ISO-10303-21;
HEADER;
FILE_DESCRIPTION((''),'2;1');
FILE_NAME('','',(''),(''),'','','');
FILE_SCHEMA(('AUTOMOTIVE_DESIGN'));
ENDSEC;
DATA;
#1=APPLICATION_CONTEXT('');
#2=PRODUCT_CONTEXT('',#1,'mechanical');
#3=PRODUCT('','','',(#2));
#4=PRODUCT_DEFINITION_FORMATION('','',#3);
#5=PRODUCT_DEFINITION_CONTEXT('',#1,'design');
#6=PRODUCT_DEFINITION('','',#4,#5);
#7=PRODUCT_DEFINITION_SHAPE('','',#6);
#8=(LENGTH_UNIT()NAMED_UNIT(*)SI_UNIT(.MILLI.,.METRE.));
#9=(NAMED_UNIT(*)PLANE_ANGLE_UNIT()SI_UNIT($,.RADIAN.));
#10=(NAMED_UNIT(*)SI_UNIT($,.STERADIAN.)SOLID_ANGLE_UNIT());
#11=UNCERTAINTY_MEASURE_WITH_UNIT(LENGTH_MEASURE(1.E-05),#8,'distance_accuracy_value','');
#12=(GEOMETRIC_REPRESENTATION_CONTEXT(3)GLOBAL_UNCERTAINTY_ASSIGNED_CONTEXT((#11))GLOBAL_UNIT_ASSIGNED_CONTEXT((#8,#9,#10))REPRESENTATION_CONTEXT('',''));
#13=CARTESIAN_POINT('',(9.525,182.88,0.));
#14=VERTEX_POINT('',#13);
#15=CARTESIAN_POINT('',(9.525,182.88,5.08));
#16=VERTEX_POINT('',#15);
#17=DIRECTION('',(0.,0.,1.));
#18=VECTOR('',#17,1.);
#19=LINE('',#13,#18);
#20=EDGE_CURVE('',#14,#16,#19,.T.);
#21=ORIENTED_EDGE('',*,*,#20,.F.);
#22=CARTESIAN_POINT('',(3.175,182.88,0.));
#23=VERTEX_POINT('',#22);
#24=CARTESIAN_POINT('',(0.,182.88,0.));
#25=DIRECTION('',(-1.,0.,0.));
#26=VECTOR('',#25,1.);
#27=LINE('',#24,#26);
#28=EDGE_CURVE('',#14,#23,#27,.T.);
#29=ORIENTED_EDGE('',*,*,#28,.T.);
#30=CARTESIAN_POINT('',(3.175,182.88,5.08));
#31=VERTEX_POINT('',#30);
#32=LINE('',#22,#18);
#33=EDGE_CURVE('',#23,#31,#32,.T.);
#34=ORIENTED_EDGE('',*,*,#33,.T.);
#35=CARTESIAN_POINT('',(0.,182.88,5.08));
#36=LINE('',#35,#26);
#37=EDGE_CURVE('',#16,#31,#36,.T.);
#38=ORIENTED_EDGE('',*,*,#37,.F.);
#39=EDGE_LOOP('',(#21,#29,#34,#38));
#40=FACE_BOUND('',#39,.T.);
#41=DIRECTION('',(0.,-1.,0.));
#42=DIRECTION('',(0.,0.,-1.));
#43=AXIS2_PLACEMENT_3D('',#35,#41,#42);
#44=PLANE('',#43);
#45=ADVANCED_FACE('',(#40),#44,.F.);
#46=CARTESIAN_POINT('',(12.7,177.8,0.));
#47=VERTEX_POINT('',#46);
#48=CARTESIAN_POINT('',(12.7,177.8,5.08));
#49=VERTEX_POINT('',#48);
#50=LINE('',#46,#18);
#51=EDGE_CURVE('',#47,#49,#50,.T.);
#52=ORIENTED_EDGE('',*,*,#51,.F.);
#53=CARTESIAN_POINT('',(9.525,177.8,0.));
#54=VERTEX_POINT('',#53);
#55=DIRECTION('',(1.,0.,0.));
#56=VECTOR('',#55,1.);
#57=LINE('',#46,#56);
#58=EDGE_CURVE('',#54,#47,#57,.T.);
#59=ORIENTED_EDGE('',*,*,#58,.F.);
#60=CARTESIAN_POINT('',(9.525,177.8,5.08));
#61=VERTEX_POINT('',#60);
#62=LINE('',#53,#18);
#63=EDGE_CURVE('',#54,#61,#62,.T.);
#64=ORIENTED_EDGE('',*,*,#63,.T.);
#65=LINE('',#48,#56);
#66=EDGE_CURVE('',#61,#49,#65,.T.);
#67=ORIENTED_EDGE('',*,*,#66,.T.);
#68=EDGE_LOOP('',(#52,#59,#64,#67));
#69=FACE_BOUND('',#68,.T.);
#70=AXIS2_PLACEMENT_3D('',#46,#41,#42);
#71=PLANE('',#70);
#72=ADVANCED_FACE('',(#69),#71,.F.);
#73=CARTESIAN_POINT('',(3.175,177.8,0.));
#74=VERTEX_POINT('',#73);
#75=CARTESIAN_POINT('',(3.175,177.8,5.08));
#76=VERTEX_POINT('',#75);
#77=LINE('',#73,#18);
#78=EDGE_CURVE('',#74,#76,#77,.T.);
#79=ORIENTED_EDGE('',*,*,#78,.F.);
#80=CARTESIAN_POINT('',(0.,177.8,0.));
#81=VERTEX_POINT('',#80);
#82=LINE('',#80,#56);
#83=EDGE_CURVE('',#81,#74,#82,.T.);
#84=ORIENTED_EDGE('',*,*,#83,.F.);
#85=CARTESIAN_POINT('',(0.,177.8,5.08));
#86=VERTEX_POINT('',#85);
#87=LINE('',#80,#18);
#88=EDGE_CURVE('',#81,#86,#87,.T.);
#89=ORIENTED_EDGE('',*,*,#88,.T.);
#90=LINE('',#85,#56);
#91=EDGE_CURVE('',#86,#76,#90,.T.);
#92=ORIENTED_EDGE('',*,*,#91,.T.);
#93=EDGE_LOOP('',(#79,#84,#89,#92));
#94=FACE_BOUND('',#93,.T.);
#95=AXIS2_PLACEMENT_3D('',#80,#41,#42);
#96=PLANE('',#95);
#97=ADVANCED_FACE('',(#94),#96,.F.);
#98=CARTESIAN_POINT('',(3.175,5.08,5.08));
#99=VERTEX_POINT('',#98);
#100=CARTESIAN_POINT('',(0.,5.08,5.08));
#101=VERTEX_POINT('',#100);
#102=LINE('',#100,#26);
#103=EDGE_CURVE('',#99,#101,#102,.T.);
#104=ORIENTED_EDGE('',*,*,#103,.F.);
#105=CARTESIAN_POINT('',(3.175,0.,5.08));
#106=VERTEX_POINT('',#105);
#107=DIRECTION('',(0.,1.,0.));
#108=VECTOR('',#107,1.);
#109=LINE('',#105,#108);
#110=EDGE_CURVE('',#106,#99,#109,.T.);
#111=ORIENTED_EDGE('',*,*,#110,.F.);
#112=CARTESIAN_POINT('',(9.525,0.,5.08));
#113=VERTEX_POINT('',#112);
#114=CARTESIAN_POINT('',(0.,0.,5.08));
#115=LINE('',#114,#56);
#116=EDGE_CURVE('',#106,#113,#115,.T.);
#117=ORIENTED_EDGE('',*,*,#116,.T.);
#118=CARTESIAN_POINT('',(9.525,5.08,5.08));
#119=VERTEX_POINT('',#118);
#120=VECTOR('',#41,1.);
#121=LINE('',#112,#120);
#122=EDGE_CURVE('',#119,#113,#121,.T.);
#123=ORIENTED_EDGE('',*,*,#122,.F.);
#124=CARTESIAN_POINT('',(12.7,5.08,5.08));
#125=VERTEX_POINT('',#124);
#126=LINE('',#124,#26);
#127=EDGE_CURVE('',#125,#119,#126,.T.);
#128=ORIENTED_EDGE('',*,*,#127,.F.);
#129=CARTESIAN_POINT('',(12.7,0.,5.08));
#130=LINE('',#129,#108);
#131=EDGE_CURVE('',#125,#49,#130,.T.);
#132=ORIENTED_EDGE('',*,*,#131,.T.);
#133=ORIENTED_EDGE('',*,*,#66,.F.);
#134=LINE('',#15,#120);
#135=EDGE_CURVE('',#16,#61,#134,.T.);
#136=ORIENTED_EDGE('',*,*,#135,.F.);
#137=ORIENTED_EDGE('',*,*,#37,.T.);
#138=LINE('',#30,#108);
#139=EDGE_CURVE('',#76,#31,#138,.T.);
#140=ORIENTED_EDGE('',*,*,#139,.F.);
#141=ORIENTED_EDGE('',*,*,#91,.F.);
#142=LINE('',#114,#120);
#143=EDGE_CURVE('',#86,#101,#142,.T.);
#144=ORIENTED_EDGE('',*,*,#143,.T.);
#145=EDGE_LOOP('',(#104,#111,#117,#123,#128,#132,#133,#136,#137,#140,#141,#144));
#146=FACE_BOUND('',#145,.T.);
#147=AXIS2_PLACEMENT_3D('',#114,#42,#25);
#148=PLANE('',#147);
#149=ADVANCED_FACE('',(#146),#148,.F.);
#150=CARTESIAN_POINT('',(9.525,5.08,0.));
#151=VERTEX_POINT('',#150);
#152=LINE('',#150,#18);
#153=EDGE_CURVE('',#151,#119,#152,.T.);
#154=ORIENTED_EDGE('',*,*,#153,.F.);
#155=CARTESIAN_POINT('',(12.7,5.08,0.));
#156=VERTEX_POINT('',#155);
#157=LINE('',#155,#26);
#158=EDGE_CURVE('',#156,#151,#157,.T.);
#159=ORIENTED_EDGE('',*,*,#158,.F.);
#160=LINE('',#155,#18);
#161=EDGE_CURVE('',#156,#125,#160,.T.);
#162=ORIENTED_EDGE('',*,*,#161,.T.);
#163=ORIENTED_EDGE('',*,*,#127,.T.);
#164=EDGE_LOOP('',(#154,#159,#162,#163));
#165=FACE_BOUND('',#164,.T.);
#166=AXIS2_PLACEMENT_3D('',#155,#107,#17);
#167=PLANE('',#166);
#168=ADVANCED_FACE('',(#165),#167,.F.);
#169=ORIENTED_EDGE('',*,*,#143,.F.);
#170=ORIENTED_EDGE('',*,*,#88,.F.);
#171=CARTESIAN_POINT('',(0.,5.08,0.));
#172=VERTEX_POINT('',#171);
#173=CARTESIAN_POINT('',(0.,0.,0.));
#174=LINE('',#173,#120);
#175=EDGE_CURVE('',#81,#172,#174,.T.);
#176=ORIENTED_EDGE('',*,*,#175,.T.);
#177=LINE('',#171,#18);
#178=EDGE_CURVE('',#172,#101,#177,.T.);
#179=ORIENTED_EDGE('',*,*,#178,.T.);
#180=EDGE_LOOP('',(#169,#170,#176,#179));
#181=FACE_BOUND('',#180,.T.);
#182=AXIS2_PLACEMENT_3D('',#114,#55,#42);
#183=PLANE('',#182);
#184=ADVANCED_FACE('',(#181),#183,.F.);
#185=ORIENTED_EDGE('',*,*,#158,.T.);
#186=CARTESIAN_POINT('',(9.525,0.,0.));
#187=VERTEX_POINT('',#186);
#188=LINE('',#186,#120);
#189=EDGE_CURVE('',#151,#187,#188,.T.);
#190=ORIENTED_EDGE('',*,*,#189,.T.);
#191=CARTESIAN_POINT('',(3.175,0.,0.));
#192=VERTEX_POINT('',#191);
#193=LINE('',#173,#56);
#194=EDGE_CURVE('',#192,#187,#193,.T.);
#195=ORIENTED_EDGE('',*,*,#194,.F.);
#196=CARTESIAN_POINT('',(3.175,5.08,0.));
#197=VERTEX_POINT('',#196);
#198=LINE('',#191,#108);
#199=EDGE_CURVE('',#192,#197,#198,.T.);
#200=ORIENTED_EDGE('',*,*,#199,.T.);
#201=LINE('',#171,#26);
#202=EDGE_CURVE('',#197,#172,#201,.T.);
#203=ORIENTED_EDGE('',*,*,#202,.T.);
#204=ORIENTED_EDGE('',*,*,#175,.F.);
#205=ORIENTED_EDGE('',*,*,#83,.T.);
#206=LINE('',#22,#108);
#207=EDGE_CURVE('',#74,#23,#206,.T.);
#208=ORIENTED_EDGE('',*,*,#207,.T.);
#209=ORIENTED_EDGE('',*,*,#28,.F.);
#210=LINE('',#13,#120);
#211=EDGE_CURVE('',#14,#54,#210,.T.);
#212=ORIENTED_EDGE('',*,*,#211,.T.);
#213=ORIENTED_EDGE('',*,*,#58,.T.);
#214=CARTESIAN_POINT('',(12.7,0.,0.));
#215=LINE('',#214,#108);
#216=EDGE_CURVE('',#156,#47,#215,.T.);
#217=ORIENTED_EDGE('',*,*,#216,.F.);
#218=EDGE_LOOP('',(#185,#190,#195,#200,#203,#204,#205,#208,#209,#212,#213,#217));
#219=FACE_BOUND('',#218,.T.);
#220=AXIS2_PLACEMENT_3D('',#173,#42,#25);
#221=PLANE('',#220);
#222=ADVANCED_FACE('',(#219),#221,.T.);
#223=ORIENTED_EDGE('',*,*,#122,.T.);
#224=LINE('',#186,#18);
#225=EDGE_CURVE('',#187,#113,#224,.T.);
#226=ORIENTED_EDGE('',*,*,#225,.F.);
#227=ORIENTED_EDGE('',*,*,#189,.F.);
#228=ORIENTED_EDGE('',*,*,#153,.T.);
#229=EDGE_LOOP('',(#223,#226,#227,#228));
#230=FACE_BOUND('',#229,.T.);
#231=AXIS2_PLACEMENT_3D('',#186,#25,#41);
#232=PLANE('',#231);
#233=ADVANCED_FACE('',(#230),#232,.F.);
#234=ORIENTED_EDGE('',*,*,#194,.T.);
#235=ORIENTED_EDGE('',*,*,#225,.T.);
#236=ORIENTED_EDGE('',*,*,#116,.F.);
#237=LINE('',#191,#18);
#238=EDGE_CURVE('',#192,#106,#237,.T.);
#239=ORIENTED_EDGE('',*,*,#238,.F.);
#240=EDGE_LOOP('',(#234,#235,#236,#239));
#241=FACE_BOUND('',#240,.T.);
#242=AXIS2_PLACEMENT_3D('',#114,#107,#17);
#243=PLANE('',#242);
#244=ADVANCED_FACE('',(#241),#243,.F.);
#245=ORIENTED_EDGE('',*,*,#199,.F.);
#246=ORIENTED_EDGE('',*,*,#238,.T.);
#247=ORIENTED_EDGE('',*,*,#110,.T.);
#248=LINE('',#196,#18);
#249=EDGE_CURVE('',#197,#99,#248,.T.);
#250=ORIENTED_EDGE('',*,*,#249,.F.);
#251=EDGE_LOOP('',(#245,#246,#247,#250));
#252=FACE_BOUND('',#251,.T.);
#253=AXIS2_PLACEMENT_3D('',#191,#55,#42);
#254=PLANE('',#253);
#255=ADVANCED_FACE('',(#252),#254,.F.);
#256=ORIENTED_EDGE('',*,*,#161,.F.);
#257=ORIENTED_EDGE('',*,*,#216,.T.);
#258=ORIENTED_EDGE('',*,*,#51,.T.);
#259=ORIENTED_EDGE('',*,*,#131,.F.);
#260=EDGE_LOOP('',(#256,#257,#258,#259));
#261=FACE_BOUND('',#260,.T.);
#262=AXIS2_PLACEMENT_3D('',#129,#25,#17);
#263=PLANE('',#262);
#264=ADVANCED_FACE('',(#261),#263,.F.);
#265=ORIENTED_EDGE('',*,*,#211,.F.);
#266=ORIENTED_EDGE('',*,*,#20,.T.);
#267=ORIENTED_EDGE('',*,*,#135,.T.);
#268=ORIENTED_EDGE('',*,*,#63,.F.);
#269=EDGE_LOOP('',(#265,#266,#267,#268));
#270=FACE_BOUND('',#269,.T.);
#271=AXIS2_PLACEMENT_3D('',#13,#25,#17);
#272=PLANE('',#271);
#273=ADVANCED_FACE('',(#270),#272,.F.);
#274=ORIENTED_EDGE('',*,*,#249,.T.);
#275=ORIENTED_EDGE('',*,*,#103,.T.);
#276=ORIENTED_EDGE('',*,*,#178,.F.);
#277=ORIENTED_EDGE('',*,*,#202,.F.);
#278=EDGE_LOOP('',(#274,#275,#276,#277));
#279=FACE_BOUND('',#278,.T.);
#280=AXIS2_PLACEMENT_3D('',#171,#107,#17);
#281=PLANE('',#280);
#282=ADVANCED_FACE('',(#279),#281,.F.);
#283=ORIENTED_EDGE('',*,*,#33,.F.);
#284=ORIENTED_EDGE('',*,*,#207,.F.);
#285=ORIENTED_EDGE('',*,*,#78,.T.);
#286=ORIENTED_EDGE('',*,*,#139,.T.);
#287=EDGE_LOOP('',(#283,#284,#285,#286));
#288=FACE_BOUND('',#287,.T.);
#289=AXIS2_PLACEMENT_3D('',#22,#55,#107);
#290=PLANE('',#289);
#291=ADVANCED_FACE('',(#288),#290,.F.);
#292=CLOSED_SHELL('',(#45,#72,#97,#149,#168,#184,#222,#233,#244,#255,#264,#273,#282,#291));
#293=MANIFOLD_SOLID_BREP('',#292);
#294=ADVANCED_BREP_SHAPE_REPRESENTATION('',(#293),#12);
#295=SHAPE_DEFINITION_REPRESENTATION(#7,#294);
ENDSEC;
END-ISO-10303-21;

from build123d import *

# Parameters (mm, degrees)
SKETCH2_W           = 12.7
SKETCH2_H           = 182.88
BOSS_EXTRUDE1_DEPTH = 5.08
SKETCH3_W           = 3.175
SKETCH3_H           = 5.08
CUT_EXTRUDE1_DEPTH  = 184.390814383


with BuildPart() as part:
    # Sketch2 → Boss-Extrude1 (new body)
    with BuildSketch(Plane.XY):
        with Locations((6.35, 91.44)):
            Rectangle(SKETCH2_W, SKETCH2_H)
    extrude(amount=BOSS_EXTRUDE1_DEPTH)

    # Sketch3 → Cut-Extrude1 (cut, through all)
    with BuildSketch(Plane.XY.offset(5.08)):
        with Locations((1.5875, 180.34)):
            Rectangle(SKETCH3_W, SKETCH3_H)
        with Locations((11.1125, 180.34)):
            Rectangle(SKETCH3_W, SKETCH3_H)
        with Locations((1.5875, 2.54)):
            Rectangle(SKETCH3_W, SKETCH3_H)
        with Locations((11.1125, 2.54)):
            Rectangle(SKETCH3_W, SKETCH3_H)
    extrude(amount=-CUT_EXTRUDE1_DEPTH, mode=Mode.SUBTRACT)


solid = part.part
